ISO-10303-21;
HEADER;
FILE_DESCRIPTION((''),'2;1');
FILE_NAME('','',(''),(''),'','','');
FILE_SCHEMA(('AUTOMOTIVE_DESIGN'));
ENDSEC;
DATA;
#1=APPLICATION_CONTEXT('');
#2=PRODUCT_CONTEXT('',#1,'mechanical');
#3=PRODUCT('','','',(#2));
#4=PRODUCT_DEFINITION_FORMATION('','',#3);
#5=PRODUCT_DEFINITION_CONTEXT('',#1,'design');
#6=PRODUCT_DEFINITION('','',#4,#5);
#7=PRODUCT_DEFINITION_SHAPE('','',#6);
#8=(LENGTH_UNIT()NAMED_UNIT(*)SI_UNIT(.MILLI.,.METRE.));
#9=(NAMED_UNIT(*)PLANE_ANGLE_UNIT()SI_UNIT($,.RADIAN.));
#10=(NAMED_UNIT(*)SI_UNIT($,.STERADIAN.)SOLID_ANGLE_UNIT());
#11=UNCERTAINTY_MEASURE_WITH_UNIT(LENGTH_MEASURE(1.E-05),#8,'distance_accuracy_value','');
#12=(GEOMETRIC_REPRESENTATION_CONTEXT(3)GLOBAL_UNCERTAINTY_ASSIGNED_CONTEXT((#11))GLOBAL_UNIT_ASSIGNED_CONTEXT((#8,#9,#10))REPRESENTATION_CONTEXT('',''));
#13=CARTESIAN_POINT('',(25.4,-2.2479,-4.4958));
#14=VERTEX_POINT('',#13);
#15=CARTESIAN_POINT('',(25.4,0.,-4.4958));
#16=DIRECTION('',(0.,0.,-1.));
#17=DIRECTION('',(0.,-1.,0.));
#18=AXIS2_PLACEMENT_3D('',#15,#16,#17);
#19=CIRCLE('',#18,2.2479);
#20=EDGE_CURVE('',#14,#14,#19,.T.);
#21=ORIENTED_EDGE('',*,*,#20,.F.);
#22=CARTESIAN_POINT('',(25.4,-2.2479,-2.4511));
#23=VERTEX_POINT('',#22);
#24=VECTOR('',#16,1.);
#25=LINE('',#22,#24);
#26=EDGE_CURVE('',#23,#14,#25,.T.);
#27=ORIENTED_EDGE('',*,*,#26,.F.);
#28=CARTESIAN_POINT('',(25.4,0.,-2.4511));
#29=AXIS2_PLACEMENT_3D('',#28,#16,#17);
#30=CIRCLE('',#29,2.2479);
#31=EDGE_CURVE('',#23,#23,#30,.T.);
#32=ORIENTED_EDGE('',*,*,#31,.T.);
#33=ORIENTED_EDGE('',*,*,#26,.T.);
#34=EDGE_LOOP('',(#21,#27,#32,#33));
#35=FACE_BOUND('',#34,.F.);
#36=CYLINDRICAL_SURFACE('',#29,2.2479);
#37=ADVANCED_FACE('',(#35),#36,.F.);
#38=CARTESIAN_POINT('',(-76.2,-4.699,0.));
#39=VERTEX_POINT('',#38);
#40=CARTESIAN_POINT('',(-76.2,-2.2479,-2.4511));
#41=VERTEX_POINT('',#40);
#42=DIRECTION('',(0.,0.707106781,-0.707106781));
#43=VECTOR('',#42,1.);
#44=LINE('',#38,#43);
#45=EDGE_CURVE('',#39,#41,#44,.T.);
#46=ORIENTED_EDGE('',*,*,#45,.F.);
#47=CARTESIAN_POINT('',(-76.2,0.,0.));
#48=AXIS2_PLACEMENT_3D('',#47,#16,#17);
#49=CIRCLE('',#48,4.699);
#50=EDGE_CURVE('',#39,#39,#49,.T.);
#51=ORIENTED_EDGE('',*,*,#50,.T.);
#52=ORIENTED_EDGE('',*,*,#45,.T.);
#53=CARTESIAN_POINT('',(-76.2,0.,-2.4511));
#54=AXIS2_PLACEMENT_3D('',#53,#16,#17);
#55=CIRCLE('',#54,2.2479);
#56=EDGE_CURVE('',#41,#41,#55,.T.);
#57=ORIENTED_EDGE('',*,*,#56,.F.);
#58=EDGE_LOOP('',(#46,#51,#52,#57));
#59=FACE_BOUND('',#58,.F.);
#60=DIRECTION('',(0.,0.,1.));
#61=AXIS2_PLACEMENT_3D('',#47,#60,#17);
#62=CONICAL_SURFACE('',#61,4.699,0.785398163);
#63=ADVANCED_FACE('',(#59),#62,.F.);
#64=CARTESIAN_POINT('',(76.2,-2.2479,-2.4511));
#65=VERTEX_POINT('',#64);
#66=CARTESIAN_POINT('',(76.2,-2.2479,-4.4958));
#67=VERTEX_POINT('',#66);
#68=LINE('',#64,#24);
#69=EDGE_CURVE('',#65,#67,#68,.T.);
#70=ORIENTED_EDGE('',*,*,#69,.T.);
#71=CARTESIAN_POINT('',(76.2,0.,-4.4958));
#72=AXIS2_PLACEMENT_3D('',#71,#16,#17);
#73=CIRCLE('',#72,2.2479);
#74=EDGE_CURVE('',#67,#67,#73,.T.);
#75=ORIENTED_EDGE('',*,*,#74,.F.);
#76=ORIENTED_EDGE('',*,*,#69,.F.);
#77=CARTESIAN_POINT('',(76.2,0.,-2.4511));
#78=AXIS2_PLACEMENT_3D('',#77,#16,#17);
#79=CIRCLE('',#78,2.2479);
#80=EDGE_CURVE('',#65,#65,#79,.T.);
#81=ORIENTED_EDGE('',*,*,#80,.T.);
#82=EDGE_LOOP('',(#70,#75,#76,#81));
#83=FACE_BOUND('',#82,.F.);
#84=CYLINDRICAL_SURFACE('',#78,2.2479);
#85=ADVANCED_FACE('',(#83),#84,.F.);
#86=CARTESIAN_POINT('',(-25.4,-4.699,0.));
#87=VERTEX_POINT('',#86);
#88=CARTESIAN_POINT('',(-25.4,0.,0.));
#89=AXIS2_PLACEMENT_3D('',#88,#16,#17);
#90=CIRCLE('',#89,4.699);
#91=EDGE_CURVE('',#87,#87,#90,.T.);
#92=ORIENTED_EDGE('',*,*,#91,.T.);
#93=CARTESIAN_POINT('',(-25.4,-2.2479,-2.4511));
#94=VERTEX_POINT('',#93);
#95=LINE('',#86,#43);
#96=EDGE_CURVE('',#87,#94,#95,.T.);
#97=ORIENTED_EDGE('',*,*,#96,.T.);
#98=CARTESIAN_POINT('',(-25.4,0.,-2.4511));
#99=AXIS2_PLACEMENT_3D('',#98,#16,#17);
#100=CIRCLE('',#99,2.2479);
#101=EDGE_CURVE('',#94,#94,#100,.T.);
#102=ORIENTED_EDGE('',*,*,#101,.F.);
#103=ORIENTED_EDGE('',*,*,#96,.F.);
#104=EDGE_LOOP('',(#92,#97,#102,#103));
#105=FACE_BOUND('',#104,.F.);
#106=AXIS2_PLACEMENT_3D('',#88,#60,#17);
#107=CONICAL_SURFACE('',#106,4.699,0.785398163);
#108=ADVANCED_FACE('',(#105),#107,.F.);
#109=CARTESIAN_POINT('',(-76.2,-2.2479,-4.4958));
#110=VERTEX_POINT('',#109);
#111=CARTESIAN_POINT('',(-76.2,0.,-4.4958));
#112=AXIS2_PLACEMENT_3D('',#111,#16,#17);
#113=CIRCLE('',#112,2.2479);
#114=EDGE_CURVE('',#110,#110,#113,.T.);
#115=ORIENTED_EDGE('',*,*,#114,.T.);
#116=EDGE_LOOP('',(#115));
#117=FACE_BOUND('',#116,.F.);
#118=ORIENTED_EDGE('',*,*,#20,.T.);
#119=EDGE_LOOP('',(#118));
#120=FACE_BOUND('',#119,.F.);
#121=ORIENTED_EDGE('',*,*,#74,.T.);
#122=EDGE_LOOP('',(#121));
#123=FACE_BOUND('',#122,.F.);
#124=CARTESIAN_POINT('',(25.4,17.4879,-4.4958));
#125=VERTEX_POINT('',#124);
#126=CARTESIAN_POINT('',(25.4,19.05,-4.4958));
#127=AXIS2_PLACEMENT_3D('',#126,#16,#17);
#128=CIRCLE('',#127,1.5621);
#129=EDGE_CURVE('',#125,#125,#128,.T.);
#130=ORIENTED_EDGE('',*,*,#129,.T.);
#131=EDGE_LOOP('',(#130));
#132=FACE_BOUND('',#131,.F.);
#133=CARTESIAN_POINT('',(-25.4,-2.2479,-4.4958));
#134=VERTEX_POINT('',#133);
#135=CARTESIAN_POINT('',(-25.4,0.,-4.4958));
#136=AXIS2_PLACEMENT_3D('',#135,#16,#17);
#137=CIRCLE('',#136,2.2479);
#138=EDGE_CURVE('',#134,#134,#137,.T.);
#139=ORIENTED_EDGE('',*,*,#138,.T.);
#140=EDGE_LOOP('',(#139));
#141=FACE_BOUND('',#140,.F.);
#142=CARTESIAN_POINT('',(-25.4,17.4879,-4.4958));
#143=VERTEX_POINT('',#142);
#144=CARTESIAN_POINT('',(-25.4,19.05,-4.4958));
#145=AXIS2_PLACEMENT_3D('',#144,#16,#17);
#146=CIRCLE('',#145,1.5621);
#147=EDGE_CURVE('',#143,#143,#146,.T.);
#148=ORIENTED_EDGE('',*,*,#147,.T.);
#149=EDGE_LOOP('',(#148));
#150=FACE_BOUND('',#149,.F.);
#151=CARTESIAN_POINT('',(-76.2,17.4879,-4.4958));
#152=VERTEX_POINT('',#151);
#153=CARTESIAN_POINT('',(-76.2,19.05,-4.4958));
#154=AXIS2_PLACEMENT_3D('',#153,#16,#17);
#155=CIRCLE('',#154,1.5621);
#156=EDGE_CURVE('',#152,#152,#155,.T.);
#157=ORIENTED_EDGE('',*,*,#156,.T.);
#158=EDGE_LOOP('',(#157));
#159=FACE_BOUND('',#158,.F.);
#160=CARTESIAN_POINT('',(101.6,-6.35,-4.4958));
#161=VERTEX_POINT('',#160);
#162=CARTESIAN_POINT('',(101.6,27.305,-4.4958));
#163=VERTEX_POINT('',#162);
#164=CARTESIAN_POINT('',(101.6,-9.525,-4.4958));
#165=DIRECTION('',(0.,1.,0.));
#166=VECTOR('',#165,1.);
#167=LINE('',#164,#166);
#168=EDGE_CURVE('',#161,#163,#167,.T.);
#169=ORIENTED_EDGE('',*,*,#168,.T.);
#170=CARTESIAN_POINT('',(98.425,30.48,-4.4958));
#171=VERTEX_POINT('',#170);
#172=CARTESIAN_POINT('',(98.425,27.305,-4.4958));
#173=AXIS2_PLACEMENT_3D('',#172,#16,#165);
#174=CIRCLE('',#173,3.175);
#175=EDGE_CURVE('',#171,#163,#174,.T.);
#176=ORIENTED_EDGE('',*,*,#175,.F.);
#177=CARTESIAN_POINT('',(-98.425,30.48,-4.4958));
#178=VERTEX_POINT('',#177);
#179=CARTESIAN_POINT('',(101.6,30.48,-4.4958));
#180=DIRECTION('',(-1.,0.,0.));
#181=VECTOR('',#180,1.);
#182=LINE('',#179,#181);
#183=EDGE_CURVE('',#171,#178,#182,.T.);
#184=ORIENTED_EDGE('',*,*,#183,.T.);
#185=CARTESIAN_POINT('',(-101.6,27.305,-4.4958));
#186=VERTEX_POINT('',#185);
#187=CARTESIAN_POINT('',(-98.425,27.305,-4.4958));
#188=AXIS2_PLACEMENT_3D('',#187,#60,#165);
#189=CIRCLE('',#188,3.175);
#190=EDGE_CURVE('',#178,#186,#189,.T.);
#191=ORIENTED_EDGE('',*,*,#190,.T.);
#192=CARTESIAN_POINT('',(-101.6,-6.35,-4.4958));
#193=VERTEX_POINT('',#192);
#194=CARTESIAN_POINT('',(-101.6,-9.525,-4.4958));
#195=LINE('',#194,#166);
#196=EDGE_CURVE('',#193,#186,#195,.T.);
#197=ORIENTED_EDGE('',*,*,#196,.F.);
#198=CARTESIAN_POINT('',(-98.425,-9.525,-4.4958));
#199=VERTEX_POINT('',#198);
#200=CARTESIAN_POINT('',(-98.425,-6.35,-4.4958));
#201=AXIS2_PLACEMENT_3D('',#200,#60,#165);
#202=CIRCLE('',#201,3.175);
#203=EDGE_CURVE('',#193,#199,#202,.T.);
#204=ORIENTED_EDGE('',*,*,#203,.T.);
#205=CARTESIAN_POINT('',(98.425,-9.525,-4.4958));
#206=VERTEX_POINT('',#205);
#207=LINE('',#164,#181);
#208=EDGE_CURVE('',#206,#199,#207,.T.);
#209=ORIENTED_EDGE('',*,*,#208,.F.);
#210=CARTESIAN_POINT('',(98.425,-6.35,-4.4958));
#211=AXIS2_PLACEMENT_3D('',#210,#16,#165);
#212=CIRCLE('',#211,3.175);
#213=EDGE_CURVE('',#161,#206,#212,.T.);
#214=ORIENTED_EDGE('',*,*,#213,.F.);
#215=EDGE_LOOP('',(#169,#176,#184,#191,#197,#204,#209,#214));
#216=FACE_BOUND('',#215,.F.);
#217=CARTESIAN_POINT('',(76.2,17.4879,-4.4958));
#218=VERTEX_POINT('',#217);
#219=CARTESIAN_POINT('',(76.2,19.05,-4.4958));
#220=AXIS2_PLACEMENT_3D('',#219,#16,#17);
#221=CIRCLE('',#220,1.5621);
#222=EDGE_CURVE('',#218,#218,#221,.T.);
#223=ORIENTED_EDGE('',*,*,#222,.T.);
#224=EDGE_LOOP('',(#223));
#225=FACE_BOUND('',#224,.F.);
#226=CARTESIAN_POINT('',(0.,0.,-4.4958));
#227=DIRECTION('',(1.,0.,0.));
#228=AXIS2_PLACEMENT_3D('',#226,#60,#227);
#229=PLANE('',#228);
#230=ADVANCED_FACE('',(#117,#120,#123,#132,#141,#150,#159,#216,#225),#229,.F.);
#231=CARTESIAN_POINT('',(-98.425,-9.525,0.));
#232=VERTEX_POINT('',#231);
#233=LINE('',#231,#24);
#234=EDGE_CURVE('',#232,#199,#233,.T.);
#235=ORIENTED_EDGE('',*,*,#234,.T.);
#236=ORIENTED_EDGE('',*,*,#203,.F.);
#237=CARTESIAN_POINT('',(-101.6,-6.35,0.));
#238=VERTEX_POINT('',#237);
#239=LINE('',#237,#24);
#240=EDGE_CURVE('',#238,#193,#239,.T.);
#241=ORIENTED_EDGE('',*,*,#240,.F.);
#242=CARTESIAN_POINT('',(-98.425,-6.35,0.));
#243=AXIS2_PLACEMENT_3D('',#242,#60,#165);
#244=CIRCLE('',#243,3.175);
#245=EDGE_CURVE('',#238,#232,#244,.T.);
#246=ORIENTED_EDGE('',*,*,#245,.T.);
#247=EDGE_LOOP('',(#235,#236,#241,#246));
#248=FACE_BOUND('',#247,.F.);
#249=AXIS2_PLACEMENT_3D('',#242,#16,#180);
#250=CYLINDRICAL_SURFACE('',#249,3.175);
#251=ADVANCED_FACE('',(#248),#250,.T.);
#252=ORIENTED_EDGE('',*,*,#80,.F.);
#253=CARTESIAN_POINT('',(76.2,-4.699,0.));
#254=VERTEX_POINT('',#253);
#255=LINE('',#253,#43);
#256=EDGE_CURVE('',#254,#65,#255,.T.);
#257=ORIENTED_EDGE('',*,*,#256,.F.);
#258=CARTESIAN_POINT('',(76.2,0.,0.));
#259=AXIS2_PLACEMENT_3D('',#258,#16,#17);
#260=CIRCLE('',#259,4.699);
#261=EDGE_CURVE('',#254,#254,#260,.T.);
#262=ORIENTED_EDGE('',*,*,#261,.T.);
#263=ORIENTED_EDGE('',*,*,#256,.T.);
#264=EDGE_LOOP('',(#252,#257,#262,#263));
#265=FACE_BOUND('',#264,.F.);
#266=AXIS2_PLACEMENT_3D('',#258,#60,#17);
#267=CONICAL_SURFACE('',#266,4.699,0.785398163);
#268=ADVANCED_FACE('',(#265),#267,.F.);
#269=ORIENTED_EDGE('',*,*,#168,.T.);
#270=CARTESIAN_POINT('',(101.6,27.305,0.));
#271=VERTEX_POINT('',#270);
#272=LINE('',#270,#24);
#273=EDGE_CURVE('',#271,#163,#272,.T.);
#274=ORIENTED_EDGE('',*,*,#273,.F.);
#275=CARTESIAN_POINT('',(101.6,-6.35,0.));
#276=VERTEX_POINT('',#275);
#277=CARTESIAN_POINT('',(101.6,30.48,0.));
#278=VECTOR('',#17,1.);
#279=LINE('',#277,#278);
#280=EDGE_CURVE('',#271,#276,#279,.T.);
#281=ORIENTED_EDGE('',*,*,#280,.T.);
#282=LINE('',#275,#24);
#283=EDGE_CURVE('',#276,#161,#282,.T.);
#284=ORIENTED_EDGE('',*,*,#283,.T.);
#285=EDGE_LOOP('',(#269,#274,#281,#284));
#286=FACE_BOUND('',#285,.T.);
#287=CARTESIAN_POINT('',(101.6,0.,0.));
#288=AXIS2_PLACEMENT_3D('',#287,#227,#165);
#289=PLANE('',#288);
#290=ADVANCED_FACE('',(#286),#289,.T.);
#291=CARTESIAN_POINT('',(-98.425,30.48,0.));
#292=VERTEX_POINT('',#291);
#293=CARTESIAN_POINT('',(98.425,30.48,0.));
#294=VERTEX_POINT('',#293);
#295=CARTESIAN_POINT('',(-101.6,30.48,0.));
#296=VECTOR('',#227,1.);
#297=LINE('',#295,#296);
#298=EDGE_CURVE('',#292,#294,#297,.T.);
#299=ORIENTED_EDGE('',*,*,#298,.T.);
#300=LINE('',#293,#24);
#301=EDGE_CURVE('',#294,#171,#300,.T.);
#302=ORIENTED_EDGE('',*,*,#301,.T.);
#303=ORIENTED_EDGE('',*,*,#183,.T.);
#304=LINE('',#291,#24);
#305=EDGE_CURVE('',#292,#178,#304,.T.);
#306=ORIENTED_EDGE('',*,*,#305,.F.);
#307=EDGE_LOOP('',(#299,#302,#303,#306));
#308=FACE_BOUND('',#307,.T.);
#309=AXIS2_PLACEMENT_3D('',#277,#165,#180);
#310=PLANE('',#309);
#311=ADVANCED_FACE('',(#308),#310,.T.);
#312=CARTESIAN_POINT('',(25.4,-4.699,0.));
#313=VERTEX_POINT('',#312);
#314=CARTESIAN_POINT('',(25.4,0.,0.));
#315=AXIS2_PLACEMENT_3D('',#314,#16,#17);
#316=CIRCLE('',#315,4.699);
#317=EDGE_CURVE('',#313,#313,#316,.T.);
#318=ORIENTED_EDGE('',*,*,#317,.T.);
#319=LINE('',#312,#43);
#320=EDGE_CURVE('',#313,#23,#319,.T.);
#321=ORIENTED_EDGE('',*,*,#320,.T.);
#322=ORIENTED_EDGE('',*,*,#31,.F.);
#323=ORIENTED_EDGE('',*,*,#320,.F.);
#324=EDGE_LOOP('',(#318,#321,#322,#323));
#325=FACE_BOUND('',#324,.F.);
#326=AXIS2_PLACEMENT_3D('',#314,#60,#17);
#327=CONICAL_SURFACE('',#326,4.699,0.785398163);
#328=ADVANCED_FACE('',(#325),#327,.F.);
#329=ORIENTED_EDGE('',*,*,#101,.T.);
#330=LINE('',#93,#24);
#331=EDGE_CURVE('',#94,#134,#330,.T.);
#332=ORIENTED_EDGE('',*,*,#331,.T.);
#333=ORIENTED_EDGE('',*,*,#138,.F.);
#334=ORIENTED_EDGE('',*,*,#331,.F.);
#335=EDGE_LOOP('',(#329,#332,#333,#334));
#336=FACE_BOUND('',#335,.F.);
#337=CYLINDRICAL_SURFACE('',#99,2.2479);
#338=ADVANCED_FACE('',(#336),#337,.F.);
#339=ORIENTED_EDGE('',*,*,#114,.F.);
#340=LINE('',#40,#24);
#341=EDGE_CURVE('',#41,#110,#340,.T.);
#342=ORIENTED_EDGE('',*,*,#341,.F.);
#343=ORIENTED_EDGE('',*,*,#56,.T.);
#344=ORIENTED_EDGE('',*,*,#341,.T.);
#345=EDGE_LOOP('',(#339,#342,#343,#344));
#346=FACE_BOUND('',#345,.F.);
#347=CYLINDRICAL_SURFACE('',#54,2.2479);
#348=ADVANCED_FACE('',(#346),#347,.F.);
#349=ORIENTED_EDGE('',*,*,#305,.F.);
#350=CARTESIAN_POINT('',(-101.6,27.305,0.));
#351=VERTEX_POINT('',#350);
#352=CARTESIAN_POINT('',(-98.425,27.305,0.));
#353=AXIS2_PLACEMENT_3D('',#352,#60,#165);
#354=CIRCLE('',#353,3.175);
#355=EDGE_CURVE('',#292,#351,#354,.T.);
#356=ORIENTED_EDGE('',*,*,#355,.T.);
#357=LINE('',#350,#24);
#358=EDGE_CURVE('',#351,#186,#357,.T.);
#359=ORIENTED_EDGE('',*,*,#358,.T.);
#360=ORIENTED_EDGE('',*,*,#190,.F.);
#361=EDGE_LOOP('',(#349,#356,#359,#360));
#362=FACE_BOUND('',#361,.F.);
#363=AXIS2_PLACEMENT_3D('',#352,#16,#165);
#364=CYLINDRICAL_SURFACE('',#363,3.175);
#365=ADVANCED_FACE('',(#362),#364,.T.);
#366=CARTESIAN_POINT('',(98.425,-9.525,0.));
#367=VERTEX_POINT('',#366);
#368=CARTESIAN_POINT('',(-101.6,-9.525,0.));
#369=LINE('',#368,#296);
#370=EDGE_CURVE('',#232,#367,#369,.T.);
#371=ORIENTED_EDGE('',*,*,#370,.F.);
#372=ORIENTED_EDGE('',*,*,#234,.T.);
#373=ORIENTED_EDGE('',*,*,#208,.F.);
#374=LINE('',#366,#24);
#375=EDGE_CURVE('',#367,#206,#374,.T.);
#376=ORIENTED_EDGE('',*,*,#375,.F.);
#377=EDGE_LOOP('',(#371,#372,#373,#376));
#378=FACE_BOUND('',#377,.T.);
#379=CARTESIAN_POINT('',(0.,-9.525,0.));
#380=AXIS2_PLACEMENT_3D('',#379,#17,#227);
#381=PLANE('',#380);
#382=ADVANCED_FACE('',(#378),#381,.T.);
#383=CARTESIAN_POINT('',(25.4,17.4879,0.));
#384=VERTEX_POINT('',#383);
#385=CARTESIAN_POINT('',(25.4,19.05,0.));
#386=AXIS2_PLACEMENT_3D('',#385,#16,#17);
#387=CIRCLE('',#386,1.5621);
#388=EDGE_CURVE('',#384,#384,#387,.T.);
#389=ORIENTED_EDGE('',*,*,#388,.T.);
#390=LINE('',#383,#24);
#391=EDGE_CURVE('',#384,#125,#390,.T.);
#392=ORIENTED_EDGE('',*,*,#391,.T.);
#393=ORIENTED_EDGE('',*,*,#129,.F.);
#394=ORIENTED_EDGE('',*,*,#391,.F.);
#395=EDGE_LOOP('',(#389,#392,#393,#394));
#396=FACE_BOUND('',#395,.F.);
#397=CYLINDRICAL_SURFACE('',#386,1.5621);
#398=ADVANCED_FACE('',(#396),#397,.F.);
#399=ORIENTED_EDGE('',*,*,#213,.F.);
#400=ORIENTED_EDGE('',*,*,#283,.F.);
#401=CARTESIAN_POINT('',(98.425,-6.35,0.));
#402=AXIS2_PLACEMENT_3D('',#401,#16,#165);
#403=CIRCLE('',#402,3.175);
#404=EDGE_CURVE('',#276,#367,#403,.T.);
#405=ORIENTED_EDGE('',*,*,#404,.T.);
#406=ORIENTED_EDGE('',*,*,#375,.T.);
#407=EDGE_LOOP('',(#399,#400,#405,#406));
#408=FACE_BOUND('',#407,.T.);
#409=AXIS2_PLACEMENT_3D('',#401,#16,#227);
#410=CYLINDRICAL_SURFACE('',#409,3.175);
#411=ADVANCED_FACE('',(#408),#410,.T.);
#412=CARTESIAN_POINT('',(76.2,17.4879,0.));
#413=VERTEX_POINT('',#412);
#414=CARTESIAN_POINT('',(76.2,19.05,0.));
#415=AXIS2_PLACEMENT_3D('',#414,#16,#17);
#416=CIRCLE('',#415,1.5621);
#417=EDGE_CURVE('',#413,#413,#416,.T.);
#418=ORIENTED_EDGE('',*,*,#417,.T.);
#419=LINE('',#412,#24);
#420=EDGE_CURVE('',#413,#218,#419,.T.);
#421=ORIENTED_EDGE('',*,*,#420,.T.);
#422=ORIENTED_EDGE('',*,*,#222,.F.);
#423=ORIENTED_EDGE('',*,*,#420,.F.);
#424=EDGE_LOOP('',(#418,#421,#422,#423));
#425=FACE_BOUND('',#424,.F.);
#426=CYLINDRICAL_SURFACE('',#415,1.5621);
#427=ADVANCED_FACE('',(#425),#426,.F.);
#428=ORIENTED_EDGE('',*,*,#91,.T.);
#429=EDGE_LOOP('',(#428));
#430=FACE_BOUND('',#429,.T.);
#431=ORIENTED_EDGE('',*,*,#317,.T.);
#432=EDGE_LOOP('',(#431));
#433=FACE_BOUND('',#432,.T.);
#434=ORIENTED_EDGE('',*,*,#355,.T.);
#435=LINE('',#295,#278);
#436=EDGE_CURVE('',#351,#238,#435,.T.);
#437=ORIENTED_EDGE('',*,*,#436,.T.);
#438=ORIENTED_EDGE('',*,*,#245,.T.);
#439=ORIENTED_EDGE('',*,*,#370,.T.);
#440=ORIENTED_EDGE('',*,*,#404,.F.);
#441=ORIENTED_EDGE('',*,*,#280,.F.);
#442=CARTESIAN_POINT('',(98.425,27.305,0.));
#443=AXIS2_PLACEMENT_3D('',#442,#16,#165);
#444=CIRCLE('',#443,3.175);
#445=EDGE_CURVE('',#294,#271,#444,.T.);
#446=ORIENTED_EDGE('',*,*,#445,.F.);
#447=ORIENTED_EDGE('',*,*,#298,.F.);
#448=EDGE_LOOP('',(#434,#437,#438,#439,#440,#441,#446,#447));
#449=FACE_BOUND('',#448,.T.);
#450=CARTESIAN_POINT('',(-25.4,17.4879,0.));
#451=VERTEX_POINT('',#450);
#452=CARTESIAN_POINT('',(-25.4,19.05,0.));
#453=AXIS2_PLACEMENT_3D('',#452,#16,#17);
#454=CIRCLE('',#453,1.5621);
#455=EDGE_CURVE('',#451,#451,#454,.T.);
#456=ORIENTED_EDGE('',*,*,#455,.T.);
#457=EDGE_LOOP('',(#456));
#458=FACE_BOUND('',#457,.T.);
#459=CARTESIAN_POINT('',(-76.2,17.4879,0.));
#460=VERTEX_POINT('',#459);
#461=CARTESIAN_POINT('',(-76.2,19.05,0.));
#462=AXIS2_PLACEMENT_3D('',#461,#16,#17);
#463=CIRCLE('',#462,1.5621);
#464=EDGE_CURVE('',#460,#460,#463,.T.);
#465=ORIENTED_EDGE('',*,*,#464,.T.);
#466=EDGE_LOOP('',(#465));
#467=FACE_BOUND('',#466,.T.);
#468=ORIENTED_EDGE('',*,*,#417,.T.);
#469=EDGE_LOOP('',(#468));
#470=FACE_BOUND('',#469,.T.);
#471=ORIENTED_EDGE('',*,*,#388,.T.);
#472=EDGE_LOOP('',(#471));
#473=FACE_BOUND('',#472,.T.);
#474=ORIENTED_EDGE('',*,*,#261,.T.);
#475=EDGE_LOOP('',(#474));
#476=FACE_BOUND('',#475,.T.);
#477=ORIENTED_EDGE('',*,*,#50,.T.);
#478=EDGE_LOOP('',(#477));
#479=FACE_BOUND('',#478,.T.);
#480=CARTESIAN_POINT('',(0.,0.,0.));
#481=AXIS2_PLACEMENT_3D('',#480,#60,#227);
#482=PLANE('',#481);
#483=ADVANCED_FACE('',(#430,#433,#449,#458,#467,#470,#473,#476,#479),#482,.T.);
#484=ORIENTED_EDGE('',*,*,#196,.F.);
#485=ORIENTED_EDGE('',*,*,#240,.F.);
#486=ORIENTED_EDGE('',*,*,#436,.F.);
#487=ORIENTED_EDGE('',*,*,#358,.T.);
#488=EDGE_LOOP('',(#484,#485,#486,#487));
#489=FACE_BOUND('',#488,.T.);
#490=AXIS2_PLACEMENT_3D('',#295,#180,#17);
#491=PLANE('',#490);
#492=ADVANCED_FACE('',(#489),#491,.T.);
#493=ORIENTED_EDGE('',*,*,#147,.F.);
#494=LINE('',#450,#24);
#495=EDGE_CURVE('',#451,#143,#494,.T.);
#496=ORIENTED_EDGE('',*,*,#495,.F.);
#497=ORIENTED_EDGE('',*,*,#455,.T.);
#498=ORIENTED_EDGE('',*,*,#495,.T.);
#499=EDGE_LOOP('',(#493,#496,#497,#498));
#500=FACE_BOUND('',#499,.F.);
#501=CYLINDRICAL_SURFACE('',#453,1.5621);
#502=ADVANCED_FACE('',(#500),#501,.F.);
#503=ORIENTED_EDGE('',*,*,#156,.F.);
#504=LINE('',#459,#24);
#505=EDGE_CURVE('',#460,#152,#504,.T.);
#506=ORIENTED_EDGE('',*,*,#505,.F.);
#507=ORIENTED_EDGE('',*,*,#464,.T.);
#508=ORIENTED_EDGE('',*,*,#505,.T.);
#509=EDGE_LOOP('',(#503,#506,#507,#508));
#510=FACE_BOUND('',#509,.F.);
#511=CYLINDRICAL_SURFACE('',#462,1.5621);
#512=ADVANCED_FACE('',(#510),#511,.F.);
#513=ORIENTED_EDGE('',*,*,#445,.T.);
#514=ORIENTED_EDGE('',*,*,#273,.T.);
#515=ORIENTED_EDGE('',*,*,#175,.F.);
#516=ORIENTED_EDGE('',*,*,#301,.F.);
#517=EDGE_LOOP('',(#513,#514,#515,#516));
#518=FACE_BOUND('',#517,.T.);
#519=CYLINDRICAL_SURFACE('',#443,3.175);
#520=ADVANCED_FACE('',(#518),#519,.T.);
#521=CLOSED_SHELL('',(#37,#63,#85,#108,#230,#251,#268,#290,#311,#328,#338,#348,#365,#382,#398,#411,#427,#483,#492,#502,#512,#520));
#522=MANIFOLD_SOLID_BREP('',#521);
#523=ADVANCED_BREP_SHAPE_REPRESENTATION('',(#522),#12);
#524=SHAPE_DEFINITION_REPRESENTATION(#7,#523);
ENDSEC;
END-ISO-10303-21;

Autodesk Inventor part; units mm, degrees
ref_plane "YZ Plane" through (0, 0, 0) normal (1, 0, 0) x (0, 1, 0)
ref_plane "XZ Plane" through (0, 0, 0) normal (0, 1, 0) x (-1, 0, 0)
ref_plane "XY Plane" through (0, 0, 0) normal (0, 0, 1) x (1, 0, 0)
sketch "Sketch1" plane through (0, 0, 0) normal (0, 0, 1) x (1, 0, 0)
  line L0 (0, 38.481) -> (0, -17.526) projected
  line L1 (-142.24, 0) -> (142.24, 0) projected
  line L2 (101.6, 30.48) -> (-101.6, 30.48)
  line L3 (-101.6, 30.48) -> (-101.6, -9.525)
  line L4 (-101.6, -9.525) -> (101.6, -9.525)
  line L5 (101.6, -9.525) -> (101.6, 30.48)
  line L6 (101.6, 30.48) -> (-101.6, -9.525) construction
  line L7 (-101.6, 30.48) -> (101.6, -9.525) construction
  point P0 (0, 0)
  point P1 (0, 10.4775)
  point P2 (-76.2, 0)
  point P3 (-25.4, 0)
  point P4 (25.4, 0)
  point P5 (76.2, 0)
  point P6 (-76.2, 19.05)
  point P7 (-25.4, 19.05)
  point P8 (25.4, 19.05)
  point P9 (76.2, 19.05)
  dimension "d0" = 9.525
  dimension "d1" = 30.48
  dimension "d2" = 203.2
  dimension "d3" = 50.8
  dimension "d4" = 25.4
  dimension "d5" = 25.4
  dimension "d6" = 50.8
  dimension "d11" = 19.05
extrude "Extrusion1" add sketch "Sketch1" against normal blind 4.4958
hole "Hole1" at (-76.2, 0, 0) at (-25.4, 0, 0) at (25.4, 0, 0) at (76.2, 0, 0) direction (0, 0, -1) diameter 4.4958 end through all countersink diameter 9.398 countersink angle 90 clearance for "Flat Head Machine Screw" size "M4" standard "Ansi Metric M Profile"
hole "Hole2" at (-76.2, 19.05, 0) at (-25.4, 19.05, 0) at (25.4, 19.05, 0) at (76.2, 19.05, 0) direction (0, 0, -1) diameter 3.1242 end through all
fillet "Fillet1" radius 3.175 4 edges at (-101.6, 30.48, -2.2479) (101.6, 30.48, -2.2479) (101.6, -9.525, -2.2479) (-101.6, -9.525, -2.2479)
